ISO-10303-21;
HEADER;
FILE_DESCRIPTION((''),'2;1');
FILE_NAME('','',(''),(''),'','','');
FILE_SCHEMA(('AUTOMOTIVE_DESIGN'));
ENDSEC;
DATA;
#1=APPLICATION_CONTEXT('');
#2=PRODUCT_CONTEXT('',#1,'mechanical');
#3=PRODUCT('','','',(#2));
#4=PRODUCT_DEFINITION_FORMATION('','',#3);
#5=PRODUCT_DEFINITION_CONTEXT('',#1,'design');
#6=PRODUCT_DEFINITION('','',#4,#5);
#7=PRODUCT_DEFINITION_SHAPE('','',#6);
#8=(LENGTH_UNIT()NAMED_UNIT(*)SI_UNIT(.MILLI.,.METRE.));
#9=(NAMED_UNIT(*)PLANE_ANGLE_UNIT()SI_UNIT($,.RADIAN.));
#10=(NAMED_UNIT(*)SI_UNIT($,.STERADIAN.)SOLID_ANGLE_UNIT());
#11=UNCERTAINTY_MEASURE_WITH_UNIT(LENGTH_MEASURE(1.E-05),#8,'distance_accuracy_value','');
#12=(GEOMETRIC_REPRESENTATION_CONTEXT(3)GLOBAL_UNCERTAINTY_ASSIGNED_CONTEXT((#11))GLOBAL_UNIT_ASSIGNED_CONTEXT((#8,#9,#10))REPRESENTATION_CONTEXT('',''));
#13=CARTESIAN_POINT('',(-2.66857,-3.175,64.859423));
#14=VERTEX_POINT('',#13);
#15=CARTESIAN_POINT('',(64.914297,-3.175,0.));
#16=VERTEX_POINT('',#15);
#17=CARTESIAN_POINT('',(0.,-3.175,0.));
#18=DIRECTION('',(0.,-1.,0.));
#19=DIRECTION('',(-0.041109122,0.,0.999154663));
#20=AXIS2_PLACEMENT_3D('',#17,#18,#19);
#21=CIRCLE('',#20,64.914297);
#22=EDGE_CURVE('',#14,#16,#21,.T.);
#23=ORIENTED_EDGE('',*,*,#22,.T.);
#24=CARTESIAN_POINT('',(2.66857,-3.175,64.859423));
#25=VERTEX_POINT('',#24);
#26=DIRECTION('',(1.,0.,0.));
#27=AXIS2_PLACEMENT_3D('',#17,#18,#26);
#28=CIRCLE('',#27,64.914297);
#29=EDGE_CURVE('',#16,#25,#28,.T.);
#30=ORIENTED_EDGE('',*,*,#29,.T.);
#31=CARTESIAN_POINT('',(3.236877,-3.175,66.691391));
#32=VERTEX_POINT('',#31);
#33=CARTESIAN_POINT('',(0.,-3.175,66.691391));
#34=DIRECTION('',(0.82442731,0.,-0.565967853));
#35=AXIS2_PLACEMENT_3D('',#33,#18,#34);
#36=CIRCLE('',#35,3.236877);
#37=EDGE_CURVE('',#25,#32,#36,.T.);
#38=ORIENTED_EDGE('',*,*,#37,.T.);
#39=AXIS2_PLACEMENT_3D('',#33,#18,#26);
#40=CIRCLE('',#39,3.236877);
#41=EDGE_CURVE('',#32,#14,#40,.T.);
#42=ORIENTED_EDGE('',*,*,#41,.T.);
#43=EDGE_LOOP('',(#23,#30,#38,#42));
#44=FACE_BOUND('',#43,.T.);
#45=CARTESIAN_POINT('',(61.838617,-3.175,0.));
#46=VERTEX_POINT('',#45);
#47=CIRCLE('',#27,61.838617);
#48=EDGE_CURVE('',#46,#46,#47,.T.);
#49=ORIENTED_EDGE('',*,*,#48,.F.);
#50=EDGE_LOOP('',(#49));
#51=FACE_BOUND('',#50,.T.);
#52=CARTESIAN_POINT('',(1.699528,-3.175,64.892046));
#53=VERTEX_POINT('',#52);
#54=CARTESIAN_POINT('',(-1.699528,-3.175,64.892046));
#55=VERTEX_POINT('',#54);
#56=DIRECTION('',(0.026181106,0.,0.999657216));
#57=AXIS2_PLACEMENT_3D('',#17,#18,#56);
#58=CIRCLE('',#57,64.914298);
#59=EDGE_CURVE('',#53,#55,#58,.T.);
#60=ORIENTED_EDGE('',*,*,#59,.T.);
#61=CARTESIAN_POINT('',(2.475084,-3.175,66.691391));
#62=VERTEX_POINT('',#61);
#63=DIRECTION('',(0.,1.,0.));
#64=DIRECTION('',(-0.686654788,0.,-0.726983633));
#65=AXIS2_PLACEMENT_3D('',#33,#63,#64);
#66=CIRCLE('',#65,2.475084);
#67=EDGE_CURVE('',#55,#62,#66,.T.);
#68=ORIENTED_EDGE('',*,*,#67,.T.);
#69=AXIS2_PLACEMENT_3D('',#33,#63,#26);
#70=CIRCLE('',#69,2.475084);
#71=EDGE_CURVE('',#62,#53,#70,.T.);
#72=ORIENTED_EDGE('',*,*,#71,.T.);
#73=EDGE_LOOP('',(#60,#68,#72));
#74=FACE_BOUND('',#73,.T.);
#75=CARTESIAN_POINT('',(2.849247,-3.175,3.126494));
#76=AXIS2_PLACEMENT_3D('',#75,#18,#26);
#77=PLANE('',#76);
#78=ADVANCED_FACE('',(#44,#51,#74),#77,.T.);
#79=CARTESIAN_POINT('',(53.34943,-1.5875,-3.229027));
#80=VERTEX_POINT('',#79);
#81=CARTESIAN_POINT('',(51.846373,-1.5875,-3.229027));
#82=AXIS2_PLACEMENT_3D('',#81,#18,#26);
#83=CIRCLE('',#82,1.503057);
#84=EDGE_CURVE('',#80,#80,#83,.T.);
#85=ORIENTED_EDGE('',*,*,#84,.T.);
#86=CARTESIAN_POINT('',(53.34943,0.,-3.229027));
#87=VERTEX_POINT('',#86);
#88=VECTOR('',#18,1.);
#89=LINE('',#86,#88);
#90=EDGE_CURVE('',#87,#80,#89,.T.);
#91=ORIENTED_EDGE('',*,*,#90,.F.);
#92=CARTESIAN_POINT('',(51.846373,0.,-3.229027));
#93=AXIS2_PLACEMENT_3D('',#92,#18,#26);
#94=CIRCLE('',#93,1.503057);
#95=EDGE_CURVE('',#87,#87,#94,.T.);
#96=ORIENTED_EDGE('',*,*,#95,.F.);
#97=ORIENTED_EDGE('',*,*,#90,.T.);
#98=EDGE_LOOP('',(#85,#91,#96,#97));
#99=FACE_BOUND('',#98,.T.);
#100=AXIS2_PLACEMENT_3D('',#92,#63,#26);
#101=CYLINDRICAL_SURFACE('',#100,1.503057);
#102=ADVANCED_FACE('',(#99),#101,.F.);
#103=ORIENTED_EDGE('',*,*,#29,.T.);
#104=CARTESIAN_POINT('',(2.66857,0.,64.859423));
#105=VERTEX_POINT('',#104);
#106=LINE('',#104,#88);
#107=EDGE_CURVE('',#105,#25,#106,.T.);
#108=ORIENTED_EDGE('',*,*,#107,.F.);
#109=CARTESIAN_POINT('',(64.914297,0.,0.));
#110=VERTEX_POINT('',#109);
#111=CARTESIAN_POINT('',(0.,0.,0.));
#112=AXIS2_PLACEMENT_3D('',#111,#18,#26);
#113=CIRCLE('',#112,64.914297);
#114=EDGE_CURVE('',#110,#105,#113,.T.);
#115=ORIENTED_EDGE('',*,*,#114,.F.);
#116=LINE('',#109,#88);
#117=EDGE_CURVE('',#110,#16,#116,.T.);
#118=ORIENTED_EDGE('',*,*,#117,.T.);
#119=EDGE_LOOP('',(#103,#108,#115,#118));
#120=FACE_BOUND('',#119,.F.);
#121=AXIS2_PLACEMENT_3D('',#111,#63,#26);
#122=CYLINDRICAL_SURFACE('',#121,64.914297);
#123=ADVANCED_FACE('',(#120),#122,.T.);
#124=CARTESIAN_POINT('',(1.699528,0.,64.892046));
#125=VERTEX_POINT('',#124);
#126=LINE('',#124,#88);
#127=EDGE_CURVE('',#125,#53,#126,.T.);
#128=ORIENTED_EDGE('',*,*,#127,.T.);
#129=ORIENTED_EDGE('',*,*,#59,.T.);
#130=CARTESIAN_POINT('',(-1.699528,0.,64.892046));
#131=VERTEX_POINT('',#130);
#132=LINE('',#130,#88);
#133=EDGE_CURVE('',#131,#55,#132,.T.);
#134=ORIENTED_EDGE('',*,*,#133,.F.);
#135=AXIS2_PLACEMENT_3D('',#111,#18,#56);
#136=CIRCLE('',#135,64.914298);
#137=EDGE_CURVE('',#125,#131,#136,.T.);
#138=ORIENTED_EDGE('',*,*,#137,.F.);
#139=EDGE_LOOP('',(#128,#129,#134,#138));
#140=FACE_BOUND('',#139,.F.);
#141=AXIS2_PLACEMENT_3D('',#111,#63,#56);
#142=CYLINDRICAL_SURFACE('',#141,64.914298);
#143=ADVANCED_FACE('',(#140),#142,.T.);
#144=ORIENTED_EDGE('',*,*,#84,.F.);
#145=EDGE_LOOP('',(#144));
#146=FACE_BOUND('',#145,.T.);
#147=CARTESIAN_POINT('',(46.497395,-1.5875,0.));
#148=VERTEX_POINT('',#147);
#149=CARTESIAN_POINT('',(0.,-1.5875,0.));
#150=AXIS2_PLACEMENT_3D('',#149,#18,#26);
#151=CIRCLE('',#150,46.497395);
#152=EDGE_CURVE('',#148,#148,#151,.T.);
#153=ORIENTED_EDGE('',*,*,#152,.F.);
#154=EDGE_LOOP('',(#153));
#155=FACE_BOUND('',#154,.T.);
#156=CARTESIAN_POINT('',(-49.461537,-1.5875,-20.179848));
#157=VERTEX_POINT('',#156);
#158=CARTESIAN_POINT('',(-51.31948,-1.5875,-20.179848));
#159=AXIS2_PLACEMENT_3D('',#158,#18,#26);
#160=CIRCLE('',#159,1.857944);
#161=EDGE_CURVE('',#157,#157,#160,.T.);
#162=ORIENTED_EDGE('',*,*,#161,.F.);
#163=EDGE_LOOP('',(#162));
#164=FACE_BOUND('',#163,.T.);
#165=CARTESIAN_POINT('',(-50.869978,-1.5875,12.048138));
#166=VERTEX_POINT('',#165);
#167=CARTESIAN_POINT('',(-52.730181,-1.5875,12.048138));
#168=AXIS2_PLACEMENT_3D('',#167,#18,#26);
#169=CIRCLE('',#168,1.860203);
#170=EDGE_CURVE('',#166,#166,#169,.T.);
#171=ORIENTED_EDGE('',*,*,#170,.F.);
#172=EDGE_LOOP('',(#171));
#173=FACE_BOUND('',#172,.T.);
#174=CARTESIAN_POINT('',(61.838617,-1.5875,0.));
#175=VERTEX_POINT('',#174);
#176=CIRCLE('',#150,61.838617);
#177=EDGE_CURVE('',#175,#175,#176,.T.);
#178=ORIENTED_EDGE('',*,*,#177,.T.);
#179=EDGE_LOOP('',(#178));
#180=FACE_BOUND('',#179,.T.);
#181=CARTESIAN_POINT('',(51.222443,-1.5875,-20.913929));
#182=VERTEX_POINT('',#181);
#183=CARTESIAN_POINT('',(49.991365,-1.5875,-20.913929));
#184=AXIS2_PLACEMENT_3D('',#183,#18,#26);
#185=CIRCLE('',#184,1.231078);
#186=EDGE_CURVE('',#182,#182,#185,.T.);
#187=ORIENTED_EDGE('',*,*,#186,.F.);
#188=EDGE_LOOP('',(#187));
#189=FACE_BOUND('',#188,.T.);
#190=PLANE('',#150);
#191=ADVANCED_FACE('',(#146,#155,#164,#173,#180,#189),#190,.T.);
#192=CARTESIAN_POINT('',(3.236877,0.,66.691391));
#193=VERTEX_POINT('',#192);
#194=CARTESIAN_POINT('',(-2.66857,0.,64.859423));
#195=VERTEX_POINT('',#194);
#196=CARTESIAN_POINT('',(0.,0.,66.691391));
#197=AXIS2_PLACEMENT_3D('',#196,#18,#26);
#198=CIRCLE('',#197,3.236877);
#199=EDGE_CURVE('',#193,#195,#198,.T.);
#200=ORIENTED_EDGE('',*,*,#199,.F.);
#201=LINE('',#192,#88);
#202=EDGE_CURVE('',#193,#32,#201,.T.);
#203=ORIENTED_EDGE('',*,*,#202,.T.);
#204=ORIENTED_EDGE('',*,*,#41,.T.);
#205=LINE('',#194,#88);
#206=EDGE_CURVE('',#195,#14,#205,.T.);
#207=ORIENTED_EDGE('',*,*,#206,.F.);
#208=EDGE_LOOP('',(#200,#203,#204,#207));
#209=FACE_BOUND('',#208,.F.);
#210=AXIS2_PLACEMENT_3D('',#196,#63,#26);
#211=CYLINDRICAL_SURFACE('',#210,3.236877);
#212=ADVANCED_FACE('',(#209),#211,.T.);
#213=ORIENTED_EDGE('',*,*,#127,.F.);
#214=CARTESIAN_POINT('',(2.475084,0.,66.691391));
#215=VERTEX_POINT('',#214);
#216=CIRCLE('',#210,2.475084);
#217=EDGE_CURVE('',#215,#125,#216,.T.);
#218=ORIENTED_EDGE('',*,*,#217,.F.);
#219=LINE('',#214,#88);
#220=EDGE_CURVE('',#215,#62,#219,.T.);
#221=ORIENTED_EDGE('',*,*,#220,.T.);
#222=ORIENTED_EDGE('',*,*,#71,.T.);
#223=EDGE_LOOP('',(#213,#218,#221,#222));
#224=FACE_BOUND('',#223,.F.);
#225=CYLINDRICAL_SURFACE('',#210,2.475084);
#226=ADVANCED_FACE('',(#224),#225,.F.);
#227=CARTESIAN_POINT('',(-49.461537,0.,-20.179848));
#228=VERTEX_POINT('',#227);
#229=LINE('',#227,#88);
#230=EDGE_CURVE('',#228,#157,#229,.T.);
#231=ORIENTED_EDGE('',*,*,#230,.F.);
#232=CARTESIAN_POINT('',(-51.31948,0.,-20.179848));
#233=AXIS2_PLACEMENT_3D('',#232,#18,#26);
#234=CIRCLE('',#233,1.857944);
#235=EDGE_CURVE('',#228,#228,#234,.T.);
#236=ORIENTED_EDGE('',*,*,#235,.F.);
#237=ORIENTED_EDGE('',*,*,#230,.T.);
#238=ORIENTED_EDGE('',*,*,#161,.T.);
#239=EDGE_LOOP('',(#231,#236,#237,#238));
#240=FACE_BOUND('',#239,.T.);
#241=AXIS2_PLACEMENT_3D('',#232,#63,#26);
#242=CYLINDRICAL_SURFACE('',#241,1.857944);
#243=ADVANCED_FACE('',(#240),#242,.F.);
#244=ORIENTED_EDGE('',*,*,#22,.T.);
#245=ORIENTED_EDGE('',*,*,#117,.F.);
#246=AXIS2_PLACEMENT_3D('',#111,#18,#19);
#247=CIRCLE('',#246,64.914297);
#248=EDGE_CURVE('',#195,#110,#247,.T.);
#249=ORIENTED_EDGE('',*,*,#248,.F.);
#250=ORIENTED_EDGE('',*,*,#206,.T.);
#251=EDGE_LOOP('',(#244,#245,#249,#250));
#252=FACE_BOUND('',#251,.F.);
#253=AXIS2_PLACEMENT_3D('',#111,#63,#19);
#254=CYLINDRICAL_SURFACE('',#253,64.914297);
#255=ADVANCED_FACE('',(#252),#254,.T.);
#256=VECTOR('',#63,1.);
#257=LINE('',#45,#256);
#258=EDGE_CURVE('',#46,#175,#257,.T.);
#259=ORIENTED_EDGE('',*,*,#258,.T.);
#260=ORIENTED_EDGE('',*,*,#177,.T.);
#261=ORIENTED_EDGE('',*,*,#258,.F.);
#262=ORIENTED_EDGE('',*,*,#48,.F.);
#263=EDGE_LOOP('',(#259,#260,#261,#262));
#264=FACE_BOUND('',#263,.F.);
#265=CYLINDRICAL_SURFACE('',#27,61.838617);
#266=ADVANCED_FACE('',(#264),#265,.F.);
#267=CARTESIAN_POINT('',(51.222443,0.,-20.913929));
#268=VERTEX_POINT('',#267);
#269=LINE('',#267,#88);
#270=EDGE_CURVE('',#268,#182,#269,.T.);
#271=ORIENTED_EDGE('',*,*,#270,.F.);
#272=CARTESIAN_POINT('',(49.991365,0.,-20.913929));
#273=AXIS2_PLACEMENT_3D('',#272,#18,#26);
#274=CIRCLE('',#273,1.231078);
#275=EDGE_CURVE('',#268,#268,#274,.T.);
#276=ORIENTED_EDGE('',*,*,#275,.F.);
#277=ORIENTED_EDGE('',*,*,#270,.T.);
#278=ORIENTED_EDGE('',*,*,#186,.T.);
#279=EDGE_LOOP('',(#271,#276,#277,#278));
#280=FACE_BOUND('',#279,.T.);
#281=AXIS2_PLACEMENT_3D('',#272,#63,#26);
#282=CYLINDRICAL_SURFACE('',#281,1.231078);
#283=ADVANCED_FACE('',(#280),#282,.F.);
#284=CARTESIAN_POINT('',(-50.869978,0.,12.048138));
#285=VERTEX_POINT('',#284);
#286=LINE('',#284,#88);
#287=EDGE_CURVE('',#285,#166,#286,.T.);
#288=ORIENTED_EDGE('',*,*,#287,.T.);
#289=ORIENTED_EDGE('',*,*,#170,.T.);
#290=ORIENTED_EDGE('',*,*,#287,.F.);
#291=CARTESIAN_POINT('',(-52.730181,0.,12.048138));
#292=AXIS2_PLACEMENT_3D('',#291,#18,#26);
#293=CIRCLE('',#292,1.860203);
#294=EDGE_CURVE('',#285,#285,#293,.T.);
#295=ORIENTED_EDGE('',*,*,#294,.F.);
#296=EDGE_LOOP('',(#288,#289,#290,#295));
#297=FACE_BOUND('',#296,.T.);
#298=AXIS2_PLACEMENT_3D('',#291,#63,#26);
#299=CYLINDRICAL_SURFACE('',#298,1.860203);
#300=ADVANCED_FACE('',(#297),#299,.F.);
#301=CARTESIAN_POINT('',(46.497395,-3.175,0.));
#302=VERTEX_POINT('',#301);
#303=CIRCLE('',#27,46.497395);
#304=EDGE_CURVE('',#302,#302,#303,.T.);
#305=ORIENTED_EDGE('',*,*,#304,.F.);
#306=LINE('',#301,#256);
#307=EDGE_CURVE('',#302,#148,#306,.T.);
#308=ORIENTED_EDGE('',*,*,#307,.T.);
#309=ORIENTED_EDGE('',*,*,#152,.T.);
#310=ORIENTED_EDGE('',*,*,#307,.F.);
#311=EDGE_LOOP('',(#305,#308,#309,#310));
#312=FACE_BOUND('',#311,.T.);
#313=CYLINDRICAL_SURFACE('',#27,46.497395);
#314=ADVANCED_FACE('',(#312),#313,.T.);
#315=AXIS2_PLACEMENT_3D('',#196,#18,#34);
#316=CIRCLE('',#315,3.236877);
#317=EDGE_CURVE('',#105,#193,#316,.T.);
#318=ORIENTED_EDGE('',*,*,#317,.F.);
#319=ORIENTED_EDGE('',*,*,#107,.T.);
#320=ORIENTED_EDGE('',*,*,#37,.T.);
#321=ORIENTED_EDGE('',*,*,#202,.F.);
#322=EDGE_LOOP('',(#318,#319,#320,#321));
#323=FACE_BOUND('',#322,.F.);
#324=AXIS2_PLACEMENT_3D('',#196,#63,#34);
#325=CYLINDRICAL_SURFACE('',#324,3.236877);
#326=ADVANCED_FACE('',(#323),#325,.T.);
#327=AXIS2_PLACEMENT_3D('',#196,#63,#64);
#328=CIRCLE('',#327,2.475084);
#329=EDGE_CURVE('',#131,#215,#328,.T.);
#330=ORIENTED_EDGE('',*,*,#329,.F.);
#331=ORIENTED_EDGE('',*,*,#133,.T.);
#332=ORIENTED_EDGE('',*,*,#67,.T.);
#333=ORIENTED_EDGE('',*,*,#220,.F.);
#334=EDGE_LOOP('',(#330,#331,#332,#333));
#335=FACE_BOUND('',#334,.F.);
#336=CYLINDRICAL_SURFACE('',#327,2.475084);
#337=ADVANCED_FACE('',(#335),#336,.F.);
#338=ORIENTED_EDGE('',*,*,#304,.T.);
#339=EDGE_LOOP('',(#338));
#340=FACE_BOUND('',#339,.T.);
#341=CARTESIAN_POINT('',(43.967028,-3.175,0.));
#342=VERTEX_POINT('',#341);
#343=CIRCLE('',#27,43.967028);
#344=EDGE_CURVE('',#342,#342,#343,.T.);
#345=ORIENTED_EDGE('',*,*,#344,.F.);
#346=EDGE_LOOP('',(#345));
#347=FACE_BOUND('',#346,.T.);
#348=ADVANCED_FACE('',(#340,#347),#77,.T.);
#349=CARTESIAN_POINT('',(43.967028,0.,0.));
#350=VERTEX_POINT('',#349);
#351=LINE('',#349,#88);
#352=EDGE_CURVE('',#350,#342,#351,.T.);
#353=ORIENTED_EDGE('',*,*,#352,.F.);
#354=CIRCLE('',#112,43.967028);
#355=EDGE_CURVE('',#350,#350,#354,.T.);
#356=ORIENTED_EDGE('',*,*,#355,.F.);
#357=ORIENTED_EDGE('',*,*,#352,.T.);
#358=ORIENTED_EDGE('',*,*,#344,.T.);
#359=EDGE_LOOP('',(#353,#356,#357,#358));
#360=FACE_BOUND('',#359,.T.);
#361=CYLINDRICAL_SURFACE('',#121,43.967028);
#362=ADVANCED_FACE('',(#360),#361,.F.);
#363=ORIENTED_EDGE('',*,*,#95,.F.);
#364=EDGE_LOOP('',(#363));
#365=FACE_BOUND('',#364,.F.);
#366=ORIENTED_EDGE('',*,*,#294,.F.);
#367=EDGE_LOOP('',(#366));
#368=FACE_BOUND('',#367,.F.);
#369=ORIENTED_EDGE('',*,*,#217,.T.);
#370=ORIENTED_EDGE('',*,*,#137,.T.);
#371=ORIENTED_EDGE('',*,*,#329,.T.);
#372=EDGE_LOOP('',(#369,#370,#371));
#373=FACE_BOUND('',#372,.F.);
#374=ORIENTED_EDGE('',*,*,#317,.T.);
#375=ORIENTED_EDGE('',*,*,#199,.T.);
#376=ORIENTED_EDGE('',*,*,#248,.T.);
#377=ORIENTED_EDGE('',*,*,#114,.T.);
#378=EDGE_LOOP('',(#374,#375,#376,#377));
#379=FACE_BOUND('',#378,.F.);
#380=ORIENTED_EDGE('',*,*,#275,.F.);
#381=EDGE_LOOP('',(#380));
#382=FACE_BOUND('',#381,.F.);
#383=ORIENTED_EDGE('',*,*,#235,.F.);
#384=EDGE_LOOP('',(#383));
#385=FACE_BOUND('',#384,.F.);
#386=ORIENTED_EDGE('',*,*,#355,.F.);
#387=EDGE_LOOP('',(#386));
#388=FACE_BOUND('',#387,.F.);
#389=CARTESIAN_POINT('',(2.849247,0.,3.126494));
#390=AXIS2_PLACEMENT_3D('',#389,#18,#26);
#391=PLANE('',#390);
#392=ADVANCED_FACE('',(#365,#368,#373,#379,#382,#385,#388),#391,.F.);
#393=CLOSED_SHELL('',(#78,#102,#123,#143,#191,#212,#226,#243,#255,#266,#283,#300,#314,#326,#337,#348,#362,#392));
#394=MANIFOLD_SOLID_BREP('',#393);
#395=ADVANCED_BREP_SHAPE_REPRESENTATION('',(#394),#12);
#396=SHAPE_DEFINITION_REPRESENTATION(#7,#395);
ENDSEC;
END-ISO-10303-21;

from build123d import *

# Parameters (mm, degrees)
F0_R     = 1.8579436228
F0_R_2   = 43.9670277291
F0_R_3   = 1.2310779192
F0_R_4   = 1.5030567981
F0_R_5   = 1.8602028763
F1_DEPTH = 3.175
F2_R     = 61.8386169794
F2_R_2   = 1.8579436228
F2_R_3   = 46.4973949174
F2_R_4   = 1.2310779192
F2_R_5   = 1.5030567981
F2_R_6   = 1.8602028763
F3_DEPTH = 1.5875


with BuildPart() as f1:
    # F0 (on Front) → F1 (new body)
    with BuildSketch(Plane.XZ):
        with BuildLine():
            ThreePointArc((-2.6685697481, 64.8594228795), (-44.9479569649, -46.8353196364), (64.9142973524, 0))
            ThreePointArc((64.9142973524, 0), (46.8353196364, 44.9479569649), (2.6685697481, 64.8594228795))
            ThreePointArc((2.6685697481, 64.8594228795), (0, 63.4545142311), (-2.6685697481, 64.8594228795))
        make_face()
        with Locations((-51.3194804034, -20.1798477727)):
            Circle(F0_R, mode=Mode.SUBTRACT)
        Circle(F0_R_2, mode=Mode.SUBTRACT)
        with Locations((49.991365061, -20.9139292645)):
            Circle(F0_R_3, mode=Mode.SUBTRACT)
        with Locations((51.8463733652, -3.2290274329)):
            Circle(F0_R_4, mode=Mode.SUBTRACT)
        with Locations((-52.7301807842, 12.0481377882)):
            Circle(F0_R_5, mode=Mode.SUBTRACT)
        with BuildLine():
            ThreePointArc((-2.6685697481, 64.8594228795), (0, 63.4545142311), (2.6685697481, 64.8594228795))
            ThreePointArc((2.6685697481, 64.8594228795), (2.1841098461, 64.8775436106), (1.6995281247, 64.8920457754))
            ThreePointArc((1.6995281247, 64.8920457754), (0, 64.2163073945), (-1.6995281247, 64.8920457754))
            ThreePointArc((-1.6995281247, 64.8920457754), (-2.1841098461, 64.8775436106), (-2.6685697481, 64.8594228795))
        make_face()
        with BuildLine():
            ThreePointArc((-1.6995281247, 64.8920457754), (0, 64.2163073945), (1.6995281247, 64.8920457754))
            ThreePointArc((1.6995281247, 64.8920457754), (0, 64.9142973524), (-1.6995281247, 64.8920457754))
        make_face()
        with BuildLine():
            ThreePointArc((1.6995281247, 64.8920457754), (2.1841098461, 64.8775436106), (2.6685697481, 64.8594228795))
            ThreePointArc((2.6685697481, 64.8594228795), (3.0915371739, 65.7323446538), (3.2368769389, 66.69139117))
            ThreePointArc((3.2368769389, 66.69139117), (-0.9590465162, 69.7829283439), (-2.6685697481, 64.8594228795))
            ThreePointArc((-2.6685697481, 64.8594228795), (-2.1841098461, 64.8775436106), (-1.6995281247, 64.8920457754))
            ThreePointArc((-1.6995281247, 64.8920457754), (-0.9796849515, 68.9643313566), (2.4750837755, 66.69139117))
            ThreePointArc((2.4750837755, 66.69139117), (2.2729401866, 65.7117062185), (1.6995281247, 64.8920457754))
        make_face()
    extrude(amount=F1_DEPTH)

    # F2 (on face) → F3 (cut)
    with BuildSketch(Plane.XZ.offset(3.175)):
        Circle(F2_R)
        with Locations((-51.3194804034, -20.1798477727)):
            Circle(F2_R_2, mode=Mode.SUBTRACT)
        Circle(F2_R_3, mode=Mode.SUBTRACT)
        with Locations((49.991365061, -20.9139292645)):
            Circle(F2_R_4, mode=Mode.SUBTRACT)
        with Locations((51.8463733652, -3.2290274329)):
            Circle(F2_R_5, mode=Mode.SUBTRACT)
        with Locations((-52.7301807842, 12.0481377882)):
            Circle(F2_R_6, mode=Mode.SUBTRACT)
    extrude(amount=-F3_DEPTH, mode=Mode.SUBTRACT)


solid = f1.part
